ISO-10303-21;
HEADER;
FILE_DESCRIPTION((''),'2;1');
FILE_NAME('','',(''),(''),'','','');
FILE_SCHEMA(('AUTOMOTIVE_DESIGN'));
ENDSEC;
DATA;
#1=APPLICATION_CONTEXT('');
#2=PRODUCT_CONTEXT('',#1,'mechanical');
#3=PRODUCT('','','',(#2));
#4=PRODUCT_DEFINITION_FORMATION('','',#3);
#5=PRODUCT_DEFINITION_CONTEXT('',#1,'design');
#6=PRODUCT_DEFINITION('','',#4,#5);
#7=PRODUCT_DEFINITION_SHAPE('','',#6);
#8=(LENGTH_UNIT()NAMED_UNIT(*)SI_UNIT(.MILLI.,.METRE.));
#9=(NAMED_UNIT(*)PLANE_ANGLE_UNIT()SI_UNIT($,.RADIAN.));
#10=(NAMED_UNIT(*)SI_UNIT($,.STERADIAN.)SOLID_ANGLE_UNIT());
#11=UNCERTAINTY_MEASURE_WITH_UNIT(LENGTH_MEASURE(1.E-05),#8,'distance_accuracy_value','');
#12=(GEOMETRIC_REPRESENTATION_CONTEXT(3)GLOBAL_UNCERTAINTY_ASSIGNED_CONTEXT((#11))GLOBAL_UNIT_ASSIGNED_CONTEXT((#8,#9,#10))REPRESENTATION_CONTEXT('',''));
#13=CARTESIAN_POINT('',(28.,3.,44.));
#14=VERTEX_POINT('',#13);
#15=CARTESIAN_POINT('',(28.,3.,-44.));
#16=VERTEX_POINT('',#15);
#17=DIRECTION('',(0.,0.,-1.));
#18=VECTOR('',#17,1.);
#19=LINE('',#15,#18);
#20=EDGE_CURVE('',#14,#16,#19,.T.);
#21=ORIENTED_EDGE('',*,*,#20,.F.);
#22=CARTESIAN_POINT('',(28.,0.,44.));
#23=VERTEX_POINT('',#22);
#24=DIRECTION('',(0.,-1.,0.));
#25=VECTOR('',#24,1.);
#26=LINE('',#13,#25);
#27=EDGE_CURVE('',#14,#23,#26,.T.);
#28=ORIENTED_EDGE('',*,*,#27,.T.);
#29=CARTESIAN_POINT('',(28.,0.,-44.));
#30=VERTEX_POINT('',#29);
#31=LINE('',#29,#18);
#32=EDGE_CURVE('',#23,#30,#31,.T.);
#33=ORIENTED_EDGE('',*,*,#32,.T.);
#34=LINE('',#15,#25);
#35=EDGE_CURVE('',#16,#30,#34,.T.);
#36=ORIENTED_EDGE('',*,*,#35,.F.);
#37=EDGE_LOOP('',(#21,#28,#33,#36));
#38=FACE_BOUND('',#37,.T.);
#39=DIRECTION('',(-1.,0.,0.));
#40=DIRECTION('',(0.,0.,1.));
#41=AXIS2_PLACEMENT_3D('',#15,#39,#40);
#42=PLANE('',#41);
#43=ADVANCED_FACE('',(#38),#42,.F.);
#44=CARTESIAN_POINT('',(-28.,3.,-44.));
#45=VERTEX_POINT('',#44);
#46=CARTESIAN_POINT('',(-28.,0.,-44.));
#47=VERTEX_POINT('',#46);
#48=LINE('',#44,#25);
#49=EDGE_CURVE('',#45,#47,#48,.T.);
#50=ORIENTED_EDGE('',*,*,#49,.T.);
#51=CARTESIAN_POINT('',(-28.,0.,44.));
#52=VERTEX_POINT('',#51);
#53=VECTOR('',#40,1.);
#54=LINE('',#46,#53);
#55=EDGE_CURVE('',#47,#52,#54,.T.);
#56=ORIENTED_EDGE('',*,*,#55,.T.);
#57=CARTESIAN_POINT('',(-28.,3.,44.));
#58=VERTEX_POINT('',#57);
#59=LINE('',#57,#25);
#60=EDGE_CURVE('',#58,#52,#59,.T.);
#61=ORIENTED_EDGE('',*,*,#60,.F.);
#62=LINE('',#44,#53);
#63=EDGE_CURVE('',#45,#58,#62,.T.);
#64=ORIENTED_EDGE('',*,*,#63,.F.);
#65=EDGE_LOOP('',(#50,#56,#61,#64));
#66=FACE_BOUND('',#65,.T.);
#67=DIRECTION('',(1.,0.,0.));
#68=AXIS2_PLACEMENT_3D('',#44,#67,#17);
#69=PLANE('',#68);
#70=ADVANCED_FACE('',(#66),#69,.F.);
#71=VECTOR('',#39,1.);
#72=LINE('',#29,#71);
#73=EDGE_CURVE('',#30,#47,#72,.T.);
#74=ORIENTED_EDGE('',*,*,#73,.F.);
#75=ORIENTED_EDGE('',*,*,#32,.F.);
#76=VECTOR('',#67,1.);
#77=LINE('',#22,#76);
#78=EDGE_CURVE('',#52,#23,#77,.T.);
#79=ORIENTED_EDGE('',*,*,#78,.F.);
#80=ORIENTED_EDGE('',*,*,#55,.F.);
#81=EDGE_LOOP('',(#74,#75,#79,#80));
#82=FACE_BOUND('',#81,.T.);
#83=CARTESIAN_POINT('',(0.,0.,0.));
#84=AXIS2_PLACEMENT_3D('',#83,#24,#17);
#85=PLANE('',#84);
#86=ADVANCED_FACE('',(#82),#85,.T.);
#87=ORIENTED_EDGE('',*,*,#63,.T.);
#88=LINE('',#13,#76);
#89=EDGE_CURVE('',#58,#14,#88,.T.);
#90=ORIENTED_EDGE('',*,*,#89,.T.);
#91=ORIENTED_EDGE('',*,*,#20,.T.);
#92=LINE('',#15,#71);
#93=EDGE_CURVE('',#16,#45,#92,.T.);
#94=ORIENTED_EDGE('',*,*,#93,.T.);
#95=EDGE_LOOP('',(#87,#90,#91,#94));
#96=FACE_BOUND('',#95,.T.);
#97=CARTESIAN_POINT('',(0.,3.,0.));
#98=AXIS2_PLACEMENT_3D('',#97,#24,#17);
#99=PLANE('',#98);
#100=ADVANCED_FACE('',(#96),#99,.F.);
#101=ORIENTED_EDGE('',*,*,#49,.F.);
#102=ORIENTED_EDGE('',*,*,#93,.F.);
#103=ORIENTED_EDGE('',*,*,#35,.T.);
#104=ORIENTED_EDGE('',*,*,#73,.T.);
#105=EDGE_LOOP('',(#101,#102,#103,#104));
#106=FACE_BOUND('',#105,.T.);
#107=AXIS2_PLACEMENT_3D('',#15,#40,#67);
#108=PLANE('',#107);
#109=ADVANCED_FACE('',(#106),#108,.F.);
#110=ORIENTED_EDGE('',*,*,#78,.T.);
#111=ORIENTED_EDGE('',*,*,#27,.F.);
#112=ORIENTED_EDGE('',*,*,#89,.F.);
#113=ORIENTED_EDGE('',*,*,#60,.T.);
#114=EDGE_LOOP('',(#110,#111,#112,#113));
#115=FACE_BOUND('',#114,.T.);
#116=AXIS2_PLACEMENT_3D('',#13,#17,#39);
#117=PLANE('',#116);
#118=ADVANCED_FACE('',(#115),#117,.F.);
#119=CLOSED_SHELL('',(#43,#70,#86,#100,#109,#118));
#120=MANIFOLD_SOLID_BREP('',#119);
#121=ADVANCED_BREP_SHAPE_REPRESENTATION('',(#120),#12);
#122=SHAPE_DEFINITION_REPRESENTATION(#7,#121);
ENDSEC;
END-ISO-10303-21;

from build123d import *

# Parameters (mm, degrees)
ESQUISSE1_W        = 56
ESQUISSE1_H        = 88
BOSS_EXTRU_1_DEPTH = 3


with BuildPart() as part:
    # Esquisse1 → Boss.-Extru.1 (new body)
    with BuildSketch(Plane(origin=(0, 0, 0), x_dir=(1, 0, 0), z_dir=(0, 1, 0))):
        Rectangle(ESQUISSE1_W, ESQUISSE1_H)
    extrude(amount=BOSS_EXTRU_1_DEPTH)


solid = part.part
